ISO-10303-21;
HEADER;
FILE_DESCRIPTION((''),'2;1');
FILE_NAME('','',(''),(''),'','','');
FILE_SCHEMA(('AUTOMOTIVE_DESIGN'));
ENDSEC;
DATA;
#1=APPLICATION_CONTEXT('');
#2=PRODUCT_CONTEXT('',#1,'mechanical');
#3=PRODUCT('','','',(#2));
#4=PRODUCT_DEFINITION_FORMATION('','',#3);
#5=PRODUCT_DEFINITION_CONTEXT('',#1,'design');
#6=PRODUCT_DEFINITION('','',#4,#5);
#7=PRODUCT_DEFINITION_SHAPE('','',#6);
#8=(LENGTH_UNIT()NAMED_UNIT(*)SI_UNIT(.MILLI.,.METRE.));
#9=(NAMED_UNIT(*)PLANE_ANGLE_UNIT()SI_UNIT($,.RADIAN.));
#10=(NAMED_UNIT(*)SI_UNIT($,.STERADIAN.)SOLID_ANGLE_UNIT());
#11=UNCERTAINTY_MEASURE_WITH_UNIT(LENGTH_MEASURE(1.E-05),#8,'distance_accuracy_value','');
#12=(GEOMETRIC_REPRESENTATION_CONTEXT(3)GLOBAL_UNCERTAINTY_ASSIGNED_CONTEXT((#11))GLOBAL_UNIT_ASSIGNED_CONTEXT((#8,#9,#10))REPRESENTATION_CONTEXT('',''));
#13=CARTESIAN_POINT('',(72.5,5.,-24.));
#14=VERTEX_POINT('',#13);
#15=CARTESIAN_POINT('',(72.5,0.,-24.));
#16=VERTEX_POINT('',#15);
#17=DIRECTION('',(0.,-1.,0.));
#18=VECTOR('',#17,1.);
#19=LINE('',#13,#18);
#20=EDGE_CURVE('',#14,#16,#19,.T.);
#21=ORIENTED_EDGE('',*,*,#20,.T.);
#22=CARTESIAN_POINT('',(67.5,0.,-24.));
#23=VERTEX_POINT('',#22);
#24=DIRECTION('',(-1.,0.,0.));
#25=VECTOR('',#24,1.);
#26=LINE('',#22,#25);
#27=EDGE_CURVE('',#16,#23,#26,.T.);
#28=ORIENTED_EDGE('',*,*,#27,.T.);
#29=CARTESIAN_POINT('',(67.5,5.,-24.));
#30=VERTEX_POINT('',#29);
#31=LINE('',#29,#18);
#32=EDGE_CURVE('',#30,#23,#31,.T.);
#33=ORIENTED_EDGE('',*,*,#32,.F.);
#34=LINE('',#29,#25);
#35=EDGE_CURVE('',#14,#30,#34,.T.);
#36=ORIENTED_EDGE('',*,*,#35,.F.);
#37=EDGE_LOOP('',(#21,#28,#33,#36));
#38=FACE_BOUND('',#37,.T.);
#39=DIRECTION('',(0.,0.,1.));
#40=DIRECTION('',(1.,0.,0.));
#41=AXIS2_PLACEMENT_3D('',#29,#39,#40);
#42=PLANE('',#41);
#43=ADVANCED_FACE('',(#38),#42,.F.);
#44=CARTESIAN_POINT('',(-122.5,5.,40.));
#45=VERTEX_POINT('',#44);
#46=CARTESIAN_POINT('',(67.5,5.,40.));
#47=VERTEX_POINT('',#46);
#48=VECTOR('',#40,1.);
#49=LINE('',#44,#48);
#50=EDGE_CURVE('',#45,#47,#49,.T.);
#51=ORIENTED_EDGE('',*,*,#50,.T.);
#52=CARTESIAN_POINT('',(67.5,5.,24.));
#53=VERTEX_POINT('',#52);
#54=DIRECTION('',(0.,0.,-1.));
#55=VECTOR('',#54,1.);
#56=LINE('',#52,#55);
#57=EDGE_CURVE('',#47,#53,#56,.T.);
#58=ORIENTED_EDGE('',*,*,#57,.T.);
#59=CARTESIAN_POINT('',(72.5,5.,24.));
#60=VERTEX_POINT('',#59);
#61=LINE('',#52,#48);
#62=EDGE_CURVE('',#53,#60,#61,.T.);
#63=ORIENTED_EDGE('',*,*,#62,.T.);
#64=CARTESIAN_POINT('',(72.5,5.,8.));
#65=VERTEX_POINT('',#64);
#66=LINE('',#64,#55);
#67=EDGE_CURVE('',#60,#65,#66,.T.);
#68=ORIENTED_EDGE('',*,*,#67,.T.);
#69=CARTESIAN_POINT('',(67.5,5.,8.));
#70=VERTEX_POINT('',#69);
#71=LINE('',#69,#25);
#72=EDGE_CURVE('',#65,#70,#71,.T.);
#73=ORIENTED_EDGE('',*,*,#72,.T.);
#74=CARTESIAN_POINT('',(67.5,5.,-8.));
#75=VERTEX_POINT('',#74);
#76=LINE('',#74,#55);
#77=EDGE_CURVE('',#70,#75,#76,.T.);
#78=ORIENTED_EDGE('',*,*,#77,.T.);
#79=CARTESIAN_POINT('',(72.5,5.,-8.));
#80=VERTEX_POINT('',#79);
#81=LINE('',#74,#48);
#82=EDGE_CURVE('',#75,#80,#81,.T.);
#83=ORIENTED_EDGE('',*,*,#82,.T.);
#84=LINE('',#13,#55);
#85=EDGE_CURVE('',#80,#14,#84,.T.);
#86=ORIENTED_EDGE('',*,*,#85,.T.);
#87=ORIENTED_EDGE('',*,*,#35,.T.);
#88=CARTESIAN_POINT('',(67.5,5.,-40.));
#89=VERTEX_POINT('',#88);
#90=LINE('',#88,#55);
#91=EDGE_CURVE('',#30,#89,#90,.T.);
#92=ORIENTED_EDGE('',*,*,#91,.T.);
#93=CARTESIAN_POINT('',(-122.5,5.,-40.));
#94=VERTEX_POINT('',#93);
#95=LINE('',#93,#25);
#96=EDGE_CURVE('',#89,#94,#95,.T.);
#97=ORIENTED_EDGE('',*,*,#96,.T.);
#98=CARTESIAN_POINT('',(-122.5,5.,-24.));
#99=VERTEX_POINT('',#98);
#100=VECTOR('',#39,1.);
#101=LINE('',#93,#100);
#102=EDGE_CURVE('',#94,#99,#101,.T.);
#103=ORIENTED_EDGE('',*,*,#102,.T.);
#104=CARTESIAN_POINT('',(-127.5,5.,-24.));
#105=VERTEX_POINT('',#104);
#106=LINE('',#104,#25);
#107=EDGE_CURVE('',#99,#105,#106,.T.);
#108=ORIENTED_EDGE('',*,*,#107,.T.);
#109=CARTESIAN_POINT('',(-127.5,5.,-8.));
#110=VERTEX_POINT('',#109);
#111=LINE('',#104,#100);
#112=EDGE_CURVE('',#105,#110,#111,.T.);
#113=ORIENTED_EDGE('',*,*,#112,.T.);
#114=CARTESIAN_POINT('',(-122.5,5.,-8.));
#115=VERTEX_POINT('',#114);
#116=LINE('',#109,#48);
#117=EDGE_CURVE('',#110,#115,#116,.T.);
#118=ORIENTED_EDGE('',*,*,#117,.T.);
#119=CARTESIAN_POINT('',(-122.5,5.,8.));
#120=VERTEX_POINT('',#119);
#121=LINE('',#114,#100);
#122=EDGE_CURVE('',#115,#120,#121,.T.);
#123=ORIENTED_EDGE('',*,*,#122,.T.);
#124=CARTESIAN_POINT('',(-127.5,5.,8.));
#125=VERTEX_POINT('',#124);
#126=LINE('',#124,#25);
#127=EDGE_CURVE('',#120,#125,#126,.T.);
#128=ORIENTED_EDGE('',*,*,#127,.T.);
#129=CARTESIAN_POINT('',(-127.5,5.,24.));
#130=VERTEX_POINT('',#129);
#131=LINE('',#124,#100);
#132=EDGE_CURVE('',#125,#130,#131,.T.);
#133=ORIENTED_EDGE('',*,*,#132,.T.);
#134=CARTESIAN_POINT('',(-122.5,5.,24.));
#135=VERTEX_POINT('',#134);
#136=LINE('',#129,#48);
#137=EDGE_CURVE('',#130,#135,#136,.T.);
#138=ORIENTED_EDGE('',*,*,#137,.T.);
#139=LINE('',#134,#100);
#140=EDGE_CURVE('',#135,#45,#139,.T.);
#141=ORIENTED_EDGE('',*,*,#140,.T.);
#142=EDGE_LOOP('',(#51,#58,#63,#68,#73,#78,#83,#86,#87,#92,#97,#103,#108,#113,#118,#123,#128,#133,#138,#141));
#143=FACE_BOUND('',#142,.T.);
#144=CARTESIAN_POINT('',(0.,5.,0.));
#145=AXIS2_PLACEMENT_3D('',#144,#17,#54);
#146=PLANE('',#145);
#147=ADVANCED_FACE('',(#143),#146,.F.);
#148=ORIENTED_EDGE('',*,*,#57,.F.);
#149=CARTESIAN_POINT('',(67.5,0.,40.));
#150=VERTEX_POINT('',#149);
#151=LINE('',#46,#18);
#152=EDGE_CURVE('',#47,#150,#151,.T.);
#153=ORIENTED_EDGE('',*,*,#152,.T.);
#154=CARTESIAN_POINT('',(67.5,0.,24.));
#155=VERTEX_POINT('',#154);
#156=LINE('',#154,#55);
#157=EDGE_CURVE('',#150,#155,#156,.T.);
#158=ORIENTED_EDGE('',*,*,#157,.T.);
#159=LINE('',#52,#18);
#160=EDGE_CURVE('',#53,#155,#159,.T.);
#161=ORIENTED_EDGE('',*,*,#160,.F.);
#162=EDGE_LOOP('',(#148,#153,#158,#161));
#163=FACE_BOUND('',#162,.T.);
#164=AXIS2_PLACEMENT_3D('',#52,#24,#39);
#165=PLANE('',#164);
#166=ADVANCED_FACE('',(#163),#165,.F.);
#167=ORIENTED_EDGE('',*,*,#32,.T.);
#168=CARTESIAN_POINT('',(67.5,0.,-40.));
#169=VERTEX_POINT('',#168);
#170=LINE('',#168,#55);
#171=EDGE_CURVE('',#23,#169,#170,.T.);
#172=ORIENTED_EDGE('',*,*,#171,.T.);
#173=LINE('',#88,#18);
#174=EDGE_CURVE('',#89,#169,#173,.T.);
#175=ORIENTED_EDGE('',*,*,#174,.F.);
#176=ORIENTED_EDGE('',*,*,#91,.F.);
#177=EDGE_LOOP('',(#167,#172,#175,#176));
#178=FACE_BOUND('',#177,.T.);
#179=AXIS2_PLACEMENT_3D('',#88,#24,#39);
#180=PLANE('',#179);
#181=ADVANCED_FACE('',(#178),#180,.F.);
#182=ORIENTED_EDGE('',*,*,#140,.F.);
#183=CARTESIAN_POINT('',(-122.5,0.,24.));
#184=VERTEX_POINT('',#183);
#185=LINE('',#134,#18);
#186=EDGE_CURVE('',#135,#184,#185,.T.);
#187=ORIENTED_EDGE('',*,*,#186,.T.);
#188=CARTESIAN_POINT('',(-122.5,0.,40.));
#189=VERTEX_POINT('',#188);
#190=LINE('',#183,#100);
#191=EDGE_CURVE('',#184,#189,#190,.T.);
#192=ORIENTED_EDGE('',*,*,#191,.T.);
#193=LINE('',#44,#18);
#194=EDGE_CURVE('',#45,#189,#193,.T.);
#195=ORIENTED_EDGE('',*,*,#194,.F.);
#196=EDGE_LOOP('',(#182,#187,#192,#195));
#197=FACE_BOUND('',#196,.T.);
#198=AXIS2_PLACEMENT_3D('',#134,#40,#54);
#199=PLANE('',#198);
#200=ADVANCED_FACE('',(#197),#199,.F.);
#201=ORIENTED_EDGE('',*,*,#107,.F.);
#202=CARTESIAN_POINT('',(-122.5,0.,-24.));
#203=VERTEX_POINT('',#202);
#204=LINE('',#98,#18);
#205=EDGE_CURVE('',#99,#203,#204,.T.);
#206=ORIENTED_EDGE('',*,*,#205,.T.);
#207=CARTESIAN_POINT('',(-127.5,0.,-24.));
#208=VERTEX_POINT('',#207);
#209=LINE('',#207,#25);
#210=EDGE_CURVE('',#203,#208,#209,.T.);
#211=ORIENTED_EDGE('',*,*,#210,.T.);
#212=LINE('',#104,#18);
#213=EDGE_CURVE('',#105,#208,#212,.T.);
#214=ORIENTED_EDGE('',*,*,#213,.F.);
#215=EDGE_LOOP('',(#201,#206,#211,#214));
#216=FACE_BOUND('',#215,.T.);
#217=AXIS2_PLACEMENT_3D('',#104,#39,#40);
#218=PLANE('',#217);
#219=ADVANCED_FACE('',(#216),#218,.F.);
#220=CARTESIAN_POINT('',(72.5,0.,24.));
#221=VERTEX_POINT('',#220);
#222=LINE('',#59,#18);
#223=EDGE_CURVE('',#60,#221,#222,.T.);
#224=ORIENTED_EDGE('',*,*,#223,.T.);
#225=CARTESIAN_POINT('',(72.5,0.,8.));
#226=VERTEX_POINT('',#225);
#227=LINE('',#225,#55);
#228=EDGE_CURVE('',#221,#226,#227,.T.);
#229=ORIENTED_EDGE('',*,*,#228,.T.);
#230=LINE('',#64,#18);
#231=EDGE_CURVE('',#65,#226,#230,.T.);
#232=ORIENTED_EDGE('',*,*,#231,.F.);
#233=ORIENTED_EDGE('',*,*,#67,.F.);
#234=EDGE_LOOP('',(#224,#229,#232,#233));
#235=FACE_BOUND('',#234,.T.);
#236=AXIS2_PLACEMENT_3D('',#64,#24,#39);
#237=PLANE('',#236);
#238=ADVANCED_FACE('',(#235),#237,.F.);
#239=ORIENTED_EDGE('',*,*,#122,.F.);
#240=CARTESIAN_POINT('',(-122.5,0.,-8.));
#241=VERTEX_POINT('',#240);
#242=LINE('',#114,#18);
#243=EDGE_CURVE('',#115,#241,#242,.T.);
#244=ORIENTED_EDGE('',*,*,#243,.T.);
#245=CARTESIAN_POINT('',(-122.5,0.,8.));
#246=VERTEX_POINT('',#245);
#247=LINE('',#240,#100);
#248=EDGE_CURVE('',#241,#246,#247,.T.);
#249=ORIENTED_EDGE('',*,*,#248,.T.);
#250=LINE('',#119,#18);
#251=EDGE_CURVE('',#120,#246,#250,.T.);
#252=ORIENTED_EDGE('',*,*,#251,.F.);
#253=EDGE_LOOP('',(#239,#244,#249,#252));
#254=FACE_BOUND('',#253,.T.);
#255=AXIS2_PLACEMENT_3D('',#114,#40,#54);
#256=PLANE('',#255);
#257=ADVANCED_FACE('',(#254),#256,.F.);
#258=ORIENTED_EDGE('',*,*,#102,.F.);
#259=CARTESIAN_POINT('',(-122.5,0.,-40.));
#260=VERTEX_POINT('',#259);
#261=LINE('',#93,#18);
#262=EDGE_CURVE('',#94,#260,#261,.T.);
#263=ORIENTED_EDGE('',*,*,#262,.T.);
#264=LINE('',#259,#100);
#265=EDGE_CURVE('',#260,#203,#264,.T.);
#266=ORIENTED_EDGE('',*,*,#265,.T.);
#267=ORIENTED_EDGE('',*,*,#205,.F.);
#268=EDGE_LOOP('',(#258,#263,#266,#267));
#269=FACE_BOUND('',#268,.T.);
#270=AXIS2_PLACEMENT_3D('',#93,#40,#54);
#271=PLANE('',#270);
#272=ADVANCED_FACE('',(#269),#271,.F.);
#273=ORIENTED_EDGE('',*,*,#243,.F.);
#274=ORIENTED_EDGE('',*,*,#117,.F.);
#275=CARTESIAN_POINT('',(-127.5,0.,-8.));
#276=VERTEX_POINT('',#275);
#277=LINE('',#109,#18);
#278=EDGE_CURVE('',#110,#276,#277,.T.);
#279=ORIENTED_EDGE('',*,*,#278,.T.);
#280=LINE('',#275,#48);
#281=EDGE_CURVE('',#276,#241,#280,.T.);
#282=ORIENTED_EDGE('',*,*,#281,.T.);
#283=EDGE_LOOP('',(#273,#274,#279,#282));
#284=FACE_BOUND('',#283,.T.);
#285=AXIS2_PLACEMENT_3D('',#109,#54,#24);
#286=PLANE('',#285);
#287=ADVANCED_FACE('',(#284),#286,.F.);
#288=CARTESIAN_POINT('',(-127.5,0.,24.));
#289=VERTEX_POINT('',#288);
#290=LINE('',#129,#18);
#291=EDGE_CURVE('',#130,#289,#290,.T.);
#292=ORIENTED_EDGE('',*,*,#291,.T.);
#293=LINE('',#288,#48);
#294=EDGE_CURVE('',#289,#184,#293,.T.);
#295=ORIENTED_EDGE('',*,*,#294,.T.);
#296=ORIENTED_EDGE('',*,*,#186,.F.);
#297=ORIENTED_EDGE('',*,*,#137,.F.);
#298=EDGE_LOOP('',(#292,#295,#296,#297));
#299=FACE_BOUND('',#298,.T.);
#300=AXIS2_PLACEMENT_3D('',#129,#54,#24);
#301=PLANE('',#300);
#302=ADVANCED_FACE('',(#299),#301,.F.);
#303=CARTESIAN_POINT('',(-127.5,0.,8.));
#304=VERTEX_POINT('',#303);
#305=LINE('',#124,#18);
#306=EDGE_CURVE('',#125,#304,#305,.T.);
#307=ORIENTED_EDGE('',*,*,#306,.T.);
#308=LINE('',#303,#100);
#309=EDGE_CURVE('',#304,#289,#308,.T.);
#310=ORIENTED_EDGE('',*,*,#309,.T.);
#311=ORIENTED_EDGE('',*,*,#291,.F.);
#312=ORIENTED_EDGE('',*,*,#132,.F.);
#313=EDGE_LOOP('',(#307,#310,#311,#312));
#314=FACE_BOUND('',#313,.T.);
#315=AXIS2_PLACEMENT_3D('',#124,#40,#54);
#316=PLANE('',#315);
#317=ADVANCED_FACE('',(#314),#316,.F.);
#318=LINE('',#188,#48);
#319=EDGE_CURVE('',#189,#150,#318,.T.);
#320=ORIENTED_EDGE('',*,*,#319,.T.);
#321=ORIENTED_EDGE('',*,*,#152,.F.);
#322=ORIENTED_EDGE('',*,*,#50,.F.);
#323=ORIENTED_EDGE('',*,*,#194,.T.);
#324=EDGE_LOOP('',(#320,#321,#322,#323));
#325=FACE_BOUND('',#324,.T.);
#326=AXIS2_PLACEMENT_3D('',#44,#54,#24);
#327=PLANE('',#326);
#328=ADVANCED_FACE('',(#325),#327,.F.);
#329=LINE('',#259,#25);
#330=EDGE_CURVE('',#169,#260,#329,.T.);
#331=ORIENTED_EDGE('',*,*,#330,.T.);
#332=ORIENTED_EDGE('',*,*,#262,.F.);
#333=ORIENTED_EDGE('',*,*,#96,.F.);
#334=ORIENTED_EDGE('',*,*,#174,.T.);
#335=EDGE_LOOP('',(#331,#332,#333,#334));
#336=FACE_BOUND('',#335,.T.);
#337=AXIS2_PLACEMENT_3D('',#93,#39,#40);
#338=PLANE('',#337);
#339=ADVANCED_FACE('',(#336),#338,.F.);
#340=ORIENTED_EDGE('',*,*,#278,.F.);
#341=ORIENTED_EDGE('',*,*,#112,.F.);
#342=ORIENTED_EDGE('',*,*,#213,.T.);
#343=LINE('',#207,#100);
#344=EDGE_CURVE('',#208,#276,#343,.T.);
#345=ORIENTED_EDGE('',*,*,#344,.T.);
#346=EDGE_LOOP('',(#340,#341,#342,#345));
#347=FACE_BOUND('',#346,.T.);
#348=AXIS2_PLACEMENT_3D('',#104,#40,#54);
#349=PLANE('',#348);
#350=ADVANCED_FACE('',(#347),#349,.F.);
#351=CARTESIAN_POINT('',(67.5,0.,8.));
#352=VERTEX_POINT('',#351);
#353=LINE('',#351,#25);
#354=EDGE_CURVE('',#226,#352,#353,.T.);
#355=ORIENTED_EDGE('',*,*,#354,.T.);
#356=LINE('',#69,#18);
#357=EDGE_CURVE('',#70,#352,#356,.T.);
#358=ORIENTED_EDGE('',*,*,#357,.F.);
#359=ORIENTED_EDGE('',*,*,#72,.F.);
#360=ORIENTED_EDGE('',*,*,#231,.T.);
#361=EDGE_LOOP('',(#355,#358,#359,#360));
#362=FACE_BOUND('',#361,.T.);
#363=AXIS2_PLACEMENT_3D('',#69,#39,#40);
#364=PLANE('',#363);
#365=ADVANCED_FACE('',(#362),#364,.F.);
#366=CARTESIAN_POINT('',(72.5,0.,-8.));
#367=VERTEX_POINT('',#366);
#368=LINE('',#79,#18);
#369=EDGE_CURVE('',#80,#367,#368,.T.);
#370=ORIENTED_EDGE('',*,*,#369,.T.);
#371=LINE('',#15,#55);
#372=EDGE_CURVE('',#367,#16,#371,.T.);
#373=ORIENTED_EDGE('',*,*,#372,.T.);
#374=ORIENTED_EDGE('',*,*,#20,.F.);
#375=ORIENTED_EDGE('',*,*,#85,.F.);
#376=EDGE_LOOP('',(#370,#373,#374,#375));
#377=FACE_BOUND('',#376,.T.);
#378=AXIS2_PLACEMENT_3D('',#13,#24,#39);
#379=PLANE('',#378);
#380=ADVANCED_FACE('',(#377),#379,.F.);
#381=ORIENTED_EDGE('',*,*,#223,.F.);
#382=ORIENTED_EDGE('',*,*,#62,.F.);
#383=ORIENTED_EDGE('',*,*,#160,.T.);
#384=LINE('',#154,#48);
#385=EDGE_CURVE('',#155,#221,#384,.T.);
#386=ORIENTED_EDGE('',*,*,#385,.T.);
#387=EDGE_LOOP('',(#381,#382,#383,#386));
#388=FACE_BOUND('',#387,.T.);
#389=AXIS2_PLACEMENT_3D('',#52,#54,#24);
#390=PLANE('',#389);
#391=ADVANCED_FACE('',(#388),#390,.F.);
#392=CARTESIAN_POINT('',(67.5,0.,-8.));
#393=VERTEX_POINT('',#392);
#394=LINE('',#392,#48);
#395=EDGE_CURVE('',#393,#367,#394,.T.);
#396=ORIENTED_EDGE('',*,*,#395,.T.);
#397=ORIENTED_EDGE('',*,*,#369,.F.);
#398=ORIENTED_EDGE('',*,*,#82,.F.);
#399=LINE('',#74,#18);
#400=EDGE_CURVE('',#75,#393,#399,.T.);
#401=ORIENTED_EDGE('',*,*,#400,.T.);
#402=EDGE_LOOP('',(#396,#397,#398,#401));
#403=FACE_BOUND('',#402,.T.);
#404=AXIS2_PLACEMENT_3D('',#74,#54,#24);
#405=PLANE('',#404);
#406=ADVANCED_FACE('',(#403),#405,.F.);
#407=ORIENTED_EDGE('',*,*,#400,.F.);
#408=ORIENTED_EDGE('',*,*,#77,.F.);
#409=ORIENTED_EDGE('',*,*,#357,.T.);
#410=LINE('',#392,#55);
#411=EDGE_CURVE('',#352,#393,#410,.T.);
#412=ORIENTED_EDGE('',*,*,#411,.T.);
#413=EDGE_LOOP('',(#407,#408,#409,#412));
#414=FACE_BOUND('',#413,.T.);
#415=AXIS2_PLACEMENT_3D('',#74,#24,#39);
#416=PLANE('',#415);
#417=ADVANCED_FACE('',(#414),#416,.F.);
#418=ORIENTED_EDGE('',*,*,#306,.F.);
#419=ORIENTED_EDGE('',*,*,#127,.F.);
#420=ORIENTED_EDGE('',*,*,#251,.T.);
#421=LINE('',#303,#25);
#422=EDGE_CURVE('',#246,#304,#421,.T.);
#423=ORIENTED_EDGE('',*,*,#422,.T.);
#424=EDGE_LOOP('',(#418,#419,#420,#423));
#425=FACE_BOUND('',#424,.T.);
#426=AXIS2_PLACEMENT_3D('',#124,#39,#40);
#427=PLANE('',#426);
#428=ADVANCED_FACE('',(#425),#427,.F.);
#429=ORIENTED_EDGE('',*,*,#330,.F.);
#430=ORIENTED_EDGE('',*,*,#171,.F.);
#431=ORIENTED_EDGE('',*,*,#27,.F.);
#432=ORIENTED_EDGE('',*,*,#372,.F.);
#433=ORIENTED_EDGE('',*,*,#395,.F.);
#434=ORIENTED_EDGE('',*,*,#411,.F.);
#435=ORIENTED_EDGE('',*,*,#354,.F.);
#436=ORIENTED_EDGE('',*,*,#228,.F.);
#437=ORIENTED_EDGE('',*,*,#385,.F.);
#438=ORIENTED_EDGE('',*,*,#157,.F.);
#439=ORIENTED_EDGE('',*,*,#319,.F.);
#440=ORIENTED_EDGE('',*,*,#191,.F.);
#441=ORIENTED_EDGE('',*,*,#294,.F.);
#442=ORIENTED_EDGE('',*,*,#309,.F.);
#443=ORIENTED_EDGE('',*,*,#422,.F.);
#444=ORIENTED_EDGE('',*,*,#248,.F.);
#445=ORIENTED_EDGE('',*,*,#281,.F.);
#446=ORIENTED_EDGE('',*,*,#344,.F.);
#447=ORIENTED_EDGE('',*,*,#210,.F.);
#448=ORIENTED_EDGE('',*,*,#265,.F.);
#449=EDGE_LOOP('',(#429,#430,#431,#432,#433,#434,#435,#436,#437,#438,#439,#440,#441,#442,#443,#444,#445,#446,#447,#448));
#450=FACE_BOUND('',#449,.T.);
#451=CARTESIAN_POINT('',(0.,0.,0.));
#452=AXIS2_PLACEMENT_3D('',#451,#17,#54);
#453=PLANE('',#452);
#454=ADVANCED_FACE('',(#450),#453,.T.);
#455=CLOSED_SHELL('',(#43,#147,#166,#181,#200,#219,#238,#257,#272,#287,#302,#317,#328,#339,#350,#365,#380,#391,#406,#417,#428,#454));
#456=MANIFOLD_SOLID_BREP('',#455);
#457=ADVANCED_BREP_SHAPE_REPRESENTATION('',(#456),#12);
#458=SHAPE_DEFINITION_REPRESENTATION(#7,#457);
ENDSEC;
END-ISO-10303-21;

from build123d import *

# Parameters (mm, degrees)
BOSS_EXTRUDE1_DEPTH = 5


with BuildPart() as part:
    # Sketch1 → Boss-Extrude1 (new body)
    with BuildSketch(Plane(origin=(0, 0, 0), x_dir=(1, 0, 0), z_dir=(0, 1, 0))):
        Polygon((-122.5, 40), (-122.5, 24), (-127.5, 24), (-127.5, 8), (-122.5, 8), (-122.5, -8), (-127.5, -8), (-127.5, -24), (-122.5, -24), (-122.5, -40), (67.5, -40), (67.5, -24), (72.5, -24), (72.5, -8), (67.5, -8), (67.5, 8), (72.5, 8), (72.5, 24), (67.5, 24), (67.5, 40), align=None)
    extrude(amount=BOSS_EXTRUDE1_DEPTH)


solid = part.part
